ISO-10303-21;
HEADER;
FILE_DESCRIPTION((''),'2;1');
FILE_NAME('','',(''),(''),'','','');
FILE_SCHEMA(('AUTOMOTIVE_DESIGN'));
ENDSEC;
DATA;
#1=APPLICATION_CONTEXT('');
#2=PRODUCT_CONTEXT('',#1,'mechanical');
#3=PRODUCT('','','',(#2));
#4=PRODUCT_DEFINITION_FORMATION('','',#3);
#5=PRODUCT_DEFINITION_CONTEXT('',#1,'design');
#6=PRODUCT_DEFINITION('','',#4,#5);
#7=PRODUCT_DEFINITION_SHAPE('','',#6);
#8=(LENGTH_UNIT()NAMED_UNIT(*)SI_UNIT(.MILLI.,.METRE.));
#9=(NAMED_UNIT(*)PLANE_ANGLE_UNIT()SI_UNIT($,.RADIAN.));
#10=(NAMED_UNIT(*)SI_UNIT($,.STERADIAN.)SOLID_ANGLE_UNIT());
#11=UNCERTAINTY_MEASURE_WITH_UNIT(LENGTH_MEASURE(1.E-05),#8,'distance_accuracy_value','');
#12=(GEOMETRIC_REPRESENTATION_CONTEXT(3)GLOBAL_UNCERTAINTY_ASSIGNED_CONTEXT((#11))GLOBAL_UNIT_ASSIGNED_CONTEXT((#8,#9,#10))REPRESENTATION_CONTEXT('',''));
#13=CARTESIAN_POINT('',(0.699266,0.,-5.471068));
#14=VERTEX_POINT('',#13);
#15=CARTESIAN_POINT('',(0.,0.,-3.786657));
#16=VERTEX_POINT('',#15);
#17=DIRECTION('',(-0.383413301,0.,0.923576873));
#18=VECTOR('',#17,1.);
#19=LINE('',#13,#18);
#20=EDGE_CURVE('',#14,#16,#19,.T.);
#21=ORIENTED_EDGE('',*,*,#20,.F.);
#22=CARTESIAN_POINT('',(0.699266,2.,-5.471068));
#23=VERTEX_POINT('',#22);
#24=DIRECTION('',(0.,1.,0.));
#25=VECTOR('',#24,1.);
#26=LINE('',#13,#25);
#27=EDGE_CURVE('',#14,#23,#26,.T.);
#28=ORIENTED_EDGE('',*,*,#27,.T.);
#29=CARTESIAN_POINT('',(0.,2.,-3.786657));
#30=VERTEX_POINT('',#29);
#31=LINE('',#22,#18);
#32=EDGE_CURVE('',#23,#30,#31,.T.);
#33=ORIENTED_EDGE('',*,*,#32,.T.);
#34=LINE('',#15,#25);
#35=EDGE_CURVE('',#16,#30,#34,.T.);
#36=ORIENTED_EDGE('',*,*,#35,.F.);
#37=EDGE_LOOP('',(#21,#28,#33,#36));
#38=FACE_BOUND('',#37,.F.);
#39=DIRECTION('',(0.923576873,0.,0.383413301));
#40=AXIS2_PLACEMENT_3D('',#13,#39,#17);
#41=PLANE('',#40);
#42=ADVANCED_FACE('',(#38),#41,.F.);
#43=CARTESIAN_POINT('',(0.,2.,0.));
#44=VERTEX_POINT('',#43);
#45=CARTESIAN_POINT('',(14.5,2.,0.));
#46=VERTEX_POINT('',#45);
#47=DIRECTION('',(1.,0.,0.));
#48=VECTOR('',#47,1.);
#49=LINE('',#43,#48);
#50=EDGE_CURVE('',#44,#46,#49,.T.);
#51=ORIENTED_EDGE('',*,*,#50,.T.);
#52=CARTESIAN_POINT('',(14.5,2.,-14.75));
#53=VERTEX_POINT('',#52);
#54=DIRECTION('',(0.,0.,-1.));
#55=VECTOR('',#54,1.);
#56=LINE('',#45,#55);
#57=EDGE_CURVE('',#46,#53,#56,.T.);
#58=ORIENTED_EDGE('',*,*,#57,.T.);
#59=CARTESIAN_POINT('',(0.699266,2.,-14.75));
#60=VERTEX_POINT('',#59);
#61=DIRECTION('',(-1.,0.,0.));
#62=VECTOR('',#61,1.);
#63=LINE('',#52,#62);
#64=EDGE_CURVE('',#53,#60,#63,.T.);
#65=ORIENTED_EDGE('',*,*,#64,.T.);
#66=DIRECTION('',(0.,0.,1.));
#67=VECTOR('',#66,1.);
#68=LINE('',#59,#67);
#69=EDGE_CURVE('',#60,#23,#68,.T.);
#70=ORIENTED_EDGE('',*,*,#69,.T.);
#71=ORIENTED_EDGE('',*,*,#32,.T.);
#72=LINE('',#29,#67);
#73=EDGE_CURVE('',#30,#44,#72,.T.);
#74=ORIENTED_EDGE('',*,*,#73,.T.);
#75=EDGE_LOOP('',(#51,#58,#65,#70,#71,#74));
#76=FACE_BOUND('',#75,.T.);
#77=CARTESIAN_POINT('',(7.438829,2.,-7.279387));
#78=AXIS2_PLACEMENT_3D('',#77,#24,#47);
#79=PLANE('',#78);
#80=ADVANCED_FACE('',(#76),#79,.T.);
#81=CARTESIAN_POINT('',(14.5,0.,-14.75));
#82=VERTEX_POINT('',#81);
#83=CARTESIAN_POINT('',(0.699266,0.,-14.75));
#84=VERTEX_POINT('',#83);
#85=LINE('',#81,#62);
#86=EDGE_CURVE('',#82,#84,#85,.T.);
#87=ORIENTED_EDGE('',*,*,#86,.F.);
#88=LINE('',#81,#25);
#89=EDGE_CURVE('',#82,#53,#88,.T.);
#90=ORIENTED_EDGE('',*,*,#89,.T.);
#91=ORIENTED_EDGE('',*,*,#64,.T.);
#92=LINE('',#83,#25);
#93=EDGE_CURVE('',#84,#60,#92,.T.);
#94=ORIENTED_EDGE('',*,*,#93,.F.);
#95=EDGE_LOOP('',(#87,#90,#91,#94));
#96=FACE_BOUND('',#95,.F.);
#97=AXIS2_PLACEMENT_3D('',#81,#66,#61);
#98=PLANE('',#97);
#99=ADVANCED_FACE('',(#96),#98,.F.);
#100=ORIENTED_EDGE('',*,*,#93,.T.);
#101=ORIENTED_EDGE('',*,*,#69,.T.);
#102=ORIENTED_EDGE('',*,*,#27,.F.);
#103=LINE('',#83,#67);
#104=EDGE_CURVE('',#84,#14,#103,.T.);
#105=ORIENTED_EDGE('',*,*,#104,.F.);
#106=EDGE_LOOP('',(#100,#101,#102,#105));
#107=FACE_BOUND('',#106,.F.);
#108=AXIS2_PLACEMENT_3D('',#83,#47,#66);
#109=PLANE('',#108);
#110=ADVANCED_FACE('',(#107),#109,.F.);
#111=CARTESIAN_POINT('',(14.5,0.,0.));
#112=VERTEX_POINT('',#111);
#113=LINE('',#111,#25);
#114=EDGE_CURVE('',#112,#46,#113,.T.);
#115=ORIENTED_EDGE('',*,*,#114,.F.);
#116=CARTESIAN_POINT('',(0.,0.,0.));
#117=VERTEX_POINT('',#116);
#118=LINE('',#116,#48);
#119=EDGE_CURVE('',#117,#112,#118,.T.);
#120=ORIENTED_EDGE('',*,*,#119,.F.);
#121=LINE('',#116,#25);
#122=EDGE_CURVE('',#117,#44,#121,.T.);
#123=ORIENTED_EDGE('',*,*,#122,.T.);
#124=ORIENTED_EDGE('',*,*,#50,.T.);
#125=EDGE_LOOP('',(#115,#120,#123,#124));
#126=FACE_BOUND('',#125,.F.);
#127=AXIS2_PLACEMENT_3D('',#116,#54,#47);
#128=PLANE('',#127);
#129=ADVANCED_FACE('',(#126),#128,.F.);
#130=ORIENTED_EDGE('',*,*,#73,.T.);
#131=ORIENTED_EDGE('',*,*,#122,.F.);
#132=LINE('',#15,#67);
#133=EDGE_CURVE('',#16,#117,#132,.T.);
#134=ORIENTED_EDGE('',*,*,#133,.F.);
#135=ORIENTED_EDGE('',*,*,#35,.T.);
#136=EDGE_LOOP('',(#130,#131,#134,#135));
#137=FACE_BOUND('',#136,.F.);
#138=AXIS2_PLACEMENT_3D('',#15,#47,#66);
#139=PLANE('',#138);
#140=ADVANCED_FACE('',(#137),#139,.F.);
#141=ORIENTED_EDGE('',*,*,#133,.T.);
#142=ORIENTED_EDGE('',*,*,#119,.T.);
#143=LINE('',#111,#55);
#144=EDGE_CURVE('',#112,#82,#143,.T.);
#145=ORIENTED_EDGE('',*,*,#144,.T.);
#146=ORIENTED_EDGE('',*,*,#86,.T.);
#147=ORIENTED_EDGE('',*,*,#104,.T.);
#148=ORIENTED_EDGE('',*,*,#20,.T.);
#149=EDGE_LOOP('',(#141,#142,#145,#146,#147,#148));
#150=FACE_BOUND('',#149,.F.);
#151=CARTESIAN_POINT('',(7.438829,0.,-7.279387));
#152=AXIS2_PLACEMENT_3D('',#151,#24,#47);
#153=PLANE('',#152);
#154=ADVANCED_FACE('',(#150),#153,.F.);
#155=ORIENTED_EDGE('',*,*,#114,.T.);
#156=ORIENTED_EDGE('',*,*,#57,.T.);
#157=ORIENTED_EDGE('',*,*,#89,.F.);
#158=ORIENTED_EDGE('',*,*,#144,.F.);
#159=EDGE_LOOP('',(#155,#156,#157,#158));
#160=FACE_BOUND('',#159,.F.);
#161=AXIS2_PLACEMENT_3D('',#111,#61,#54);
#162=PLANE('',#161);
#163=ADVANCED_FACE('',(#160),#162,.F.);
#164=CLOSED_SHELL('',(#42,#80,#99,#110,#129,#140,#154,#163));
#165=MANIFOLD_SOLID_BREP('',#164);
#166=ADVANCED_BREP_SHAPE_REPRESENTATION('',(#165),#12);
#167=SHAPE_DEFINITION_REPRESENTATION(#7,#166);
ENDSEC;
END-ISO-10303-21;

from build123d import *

# Parameters (mm, degrees)
EXTRUDE_1_DEPTH = 2


with BuildPart() as part:
    # Эскиз1 → Бобышка-Вытянуть1 (new body)
    with BuildSketch(Plane(origin=(0, 0, 0), x_dir=(1, 0, 0), z_dir=(0, 1, 0))):
        Polygon((0, 0), (14.5, 0), (14.5, 14.75), (0.699265746, 14.75), (0.699265746, 5.471068058), (0, 3.786656823), align=None)
    extrude(amount=EXTRUDE_1_DEPTH)


solid = part.part
